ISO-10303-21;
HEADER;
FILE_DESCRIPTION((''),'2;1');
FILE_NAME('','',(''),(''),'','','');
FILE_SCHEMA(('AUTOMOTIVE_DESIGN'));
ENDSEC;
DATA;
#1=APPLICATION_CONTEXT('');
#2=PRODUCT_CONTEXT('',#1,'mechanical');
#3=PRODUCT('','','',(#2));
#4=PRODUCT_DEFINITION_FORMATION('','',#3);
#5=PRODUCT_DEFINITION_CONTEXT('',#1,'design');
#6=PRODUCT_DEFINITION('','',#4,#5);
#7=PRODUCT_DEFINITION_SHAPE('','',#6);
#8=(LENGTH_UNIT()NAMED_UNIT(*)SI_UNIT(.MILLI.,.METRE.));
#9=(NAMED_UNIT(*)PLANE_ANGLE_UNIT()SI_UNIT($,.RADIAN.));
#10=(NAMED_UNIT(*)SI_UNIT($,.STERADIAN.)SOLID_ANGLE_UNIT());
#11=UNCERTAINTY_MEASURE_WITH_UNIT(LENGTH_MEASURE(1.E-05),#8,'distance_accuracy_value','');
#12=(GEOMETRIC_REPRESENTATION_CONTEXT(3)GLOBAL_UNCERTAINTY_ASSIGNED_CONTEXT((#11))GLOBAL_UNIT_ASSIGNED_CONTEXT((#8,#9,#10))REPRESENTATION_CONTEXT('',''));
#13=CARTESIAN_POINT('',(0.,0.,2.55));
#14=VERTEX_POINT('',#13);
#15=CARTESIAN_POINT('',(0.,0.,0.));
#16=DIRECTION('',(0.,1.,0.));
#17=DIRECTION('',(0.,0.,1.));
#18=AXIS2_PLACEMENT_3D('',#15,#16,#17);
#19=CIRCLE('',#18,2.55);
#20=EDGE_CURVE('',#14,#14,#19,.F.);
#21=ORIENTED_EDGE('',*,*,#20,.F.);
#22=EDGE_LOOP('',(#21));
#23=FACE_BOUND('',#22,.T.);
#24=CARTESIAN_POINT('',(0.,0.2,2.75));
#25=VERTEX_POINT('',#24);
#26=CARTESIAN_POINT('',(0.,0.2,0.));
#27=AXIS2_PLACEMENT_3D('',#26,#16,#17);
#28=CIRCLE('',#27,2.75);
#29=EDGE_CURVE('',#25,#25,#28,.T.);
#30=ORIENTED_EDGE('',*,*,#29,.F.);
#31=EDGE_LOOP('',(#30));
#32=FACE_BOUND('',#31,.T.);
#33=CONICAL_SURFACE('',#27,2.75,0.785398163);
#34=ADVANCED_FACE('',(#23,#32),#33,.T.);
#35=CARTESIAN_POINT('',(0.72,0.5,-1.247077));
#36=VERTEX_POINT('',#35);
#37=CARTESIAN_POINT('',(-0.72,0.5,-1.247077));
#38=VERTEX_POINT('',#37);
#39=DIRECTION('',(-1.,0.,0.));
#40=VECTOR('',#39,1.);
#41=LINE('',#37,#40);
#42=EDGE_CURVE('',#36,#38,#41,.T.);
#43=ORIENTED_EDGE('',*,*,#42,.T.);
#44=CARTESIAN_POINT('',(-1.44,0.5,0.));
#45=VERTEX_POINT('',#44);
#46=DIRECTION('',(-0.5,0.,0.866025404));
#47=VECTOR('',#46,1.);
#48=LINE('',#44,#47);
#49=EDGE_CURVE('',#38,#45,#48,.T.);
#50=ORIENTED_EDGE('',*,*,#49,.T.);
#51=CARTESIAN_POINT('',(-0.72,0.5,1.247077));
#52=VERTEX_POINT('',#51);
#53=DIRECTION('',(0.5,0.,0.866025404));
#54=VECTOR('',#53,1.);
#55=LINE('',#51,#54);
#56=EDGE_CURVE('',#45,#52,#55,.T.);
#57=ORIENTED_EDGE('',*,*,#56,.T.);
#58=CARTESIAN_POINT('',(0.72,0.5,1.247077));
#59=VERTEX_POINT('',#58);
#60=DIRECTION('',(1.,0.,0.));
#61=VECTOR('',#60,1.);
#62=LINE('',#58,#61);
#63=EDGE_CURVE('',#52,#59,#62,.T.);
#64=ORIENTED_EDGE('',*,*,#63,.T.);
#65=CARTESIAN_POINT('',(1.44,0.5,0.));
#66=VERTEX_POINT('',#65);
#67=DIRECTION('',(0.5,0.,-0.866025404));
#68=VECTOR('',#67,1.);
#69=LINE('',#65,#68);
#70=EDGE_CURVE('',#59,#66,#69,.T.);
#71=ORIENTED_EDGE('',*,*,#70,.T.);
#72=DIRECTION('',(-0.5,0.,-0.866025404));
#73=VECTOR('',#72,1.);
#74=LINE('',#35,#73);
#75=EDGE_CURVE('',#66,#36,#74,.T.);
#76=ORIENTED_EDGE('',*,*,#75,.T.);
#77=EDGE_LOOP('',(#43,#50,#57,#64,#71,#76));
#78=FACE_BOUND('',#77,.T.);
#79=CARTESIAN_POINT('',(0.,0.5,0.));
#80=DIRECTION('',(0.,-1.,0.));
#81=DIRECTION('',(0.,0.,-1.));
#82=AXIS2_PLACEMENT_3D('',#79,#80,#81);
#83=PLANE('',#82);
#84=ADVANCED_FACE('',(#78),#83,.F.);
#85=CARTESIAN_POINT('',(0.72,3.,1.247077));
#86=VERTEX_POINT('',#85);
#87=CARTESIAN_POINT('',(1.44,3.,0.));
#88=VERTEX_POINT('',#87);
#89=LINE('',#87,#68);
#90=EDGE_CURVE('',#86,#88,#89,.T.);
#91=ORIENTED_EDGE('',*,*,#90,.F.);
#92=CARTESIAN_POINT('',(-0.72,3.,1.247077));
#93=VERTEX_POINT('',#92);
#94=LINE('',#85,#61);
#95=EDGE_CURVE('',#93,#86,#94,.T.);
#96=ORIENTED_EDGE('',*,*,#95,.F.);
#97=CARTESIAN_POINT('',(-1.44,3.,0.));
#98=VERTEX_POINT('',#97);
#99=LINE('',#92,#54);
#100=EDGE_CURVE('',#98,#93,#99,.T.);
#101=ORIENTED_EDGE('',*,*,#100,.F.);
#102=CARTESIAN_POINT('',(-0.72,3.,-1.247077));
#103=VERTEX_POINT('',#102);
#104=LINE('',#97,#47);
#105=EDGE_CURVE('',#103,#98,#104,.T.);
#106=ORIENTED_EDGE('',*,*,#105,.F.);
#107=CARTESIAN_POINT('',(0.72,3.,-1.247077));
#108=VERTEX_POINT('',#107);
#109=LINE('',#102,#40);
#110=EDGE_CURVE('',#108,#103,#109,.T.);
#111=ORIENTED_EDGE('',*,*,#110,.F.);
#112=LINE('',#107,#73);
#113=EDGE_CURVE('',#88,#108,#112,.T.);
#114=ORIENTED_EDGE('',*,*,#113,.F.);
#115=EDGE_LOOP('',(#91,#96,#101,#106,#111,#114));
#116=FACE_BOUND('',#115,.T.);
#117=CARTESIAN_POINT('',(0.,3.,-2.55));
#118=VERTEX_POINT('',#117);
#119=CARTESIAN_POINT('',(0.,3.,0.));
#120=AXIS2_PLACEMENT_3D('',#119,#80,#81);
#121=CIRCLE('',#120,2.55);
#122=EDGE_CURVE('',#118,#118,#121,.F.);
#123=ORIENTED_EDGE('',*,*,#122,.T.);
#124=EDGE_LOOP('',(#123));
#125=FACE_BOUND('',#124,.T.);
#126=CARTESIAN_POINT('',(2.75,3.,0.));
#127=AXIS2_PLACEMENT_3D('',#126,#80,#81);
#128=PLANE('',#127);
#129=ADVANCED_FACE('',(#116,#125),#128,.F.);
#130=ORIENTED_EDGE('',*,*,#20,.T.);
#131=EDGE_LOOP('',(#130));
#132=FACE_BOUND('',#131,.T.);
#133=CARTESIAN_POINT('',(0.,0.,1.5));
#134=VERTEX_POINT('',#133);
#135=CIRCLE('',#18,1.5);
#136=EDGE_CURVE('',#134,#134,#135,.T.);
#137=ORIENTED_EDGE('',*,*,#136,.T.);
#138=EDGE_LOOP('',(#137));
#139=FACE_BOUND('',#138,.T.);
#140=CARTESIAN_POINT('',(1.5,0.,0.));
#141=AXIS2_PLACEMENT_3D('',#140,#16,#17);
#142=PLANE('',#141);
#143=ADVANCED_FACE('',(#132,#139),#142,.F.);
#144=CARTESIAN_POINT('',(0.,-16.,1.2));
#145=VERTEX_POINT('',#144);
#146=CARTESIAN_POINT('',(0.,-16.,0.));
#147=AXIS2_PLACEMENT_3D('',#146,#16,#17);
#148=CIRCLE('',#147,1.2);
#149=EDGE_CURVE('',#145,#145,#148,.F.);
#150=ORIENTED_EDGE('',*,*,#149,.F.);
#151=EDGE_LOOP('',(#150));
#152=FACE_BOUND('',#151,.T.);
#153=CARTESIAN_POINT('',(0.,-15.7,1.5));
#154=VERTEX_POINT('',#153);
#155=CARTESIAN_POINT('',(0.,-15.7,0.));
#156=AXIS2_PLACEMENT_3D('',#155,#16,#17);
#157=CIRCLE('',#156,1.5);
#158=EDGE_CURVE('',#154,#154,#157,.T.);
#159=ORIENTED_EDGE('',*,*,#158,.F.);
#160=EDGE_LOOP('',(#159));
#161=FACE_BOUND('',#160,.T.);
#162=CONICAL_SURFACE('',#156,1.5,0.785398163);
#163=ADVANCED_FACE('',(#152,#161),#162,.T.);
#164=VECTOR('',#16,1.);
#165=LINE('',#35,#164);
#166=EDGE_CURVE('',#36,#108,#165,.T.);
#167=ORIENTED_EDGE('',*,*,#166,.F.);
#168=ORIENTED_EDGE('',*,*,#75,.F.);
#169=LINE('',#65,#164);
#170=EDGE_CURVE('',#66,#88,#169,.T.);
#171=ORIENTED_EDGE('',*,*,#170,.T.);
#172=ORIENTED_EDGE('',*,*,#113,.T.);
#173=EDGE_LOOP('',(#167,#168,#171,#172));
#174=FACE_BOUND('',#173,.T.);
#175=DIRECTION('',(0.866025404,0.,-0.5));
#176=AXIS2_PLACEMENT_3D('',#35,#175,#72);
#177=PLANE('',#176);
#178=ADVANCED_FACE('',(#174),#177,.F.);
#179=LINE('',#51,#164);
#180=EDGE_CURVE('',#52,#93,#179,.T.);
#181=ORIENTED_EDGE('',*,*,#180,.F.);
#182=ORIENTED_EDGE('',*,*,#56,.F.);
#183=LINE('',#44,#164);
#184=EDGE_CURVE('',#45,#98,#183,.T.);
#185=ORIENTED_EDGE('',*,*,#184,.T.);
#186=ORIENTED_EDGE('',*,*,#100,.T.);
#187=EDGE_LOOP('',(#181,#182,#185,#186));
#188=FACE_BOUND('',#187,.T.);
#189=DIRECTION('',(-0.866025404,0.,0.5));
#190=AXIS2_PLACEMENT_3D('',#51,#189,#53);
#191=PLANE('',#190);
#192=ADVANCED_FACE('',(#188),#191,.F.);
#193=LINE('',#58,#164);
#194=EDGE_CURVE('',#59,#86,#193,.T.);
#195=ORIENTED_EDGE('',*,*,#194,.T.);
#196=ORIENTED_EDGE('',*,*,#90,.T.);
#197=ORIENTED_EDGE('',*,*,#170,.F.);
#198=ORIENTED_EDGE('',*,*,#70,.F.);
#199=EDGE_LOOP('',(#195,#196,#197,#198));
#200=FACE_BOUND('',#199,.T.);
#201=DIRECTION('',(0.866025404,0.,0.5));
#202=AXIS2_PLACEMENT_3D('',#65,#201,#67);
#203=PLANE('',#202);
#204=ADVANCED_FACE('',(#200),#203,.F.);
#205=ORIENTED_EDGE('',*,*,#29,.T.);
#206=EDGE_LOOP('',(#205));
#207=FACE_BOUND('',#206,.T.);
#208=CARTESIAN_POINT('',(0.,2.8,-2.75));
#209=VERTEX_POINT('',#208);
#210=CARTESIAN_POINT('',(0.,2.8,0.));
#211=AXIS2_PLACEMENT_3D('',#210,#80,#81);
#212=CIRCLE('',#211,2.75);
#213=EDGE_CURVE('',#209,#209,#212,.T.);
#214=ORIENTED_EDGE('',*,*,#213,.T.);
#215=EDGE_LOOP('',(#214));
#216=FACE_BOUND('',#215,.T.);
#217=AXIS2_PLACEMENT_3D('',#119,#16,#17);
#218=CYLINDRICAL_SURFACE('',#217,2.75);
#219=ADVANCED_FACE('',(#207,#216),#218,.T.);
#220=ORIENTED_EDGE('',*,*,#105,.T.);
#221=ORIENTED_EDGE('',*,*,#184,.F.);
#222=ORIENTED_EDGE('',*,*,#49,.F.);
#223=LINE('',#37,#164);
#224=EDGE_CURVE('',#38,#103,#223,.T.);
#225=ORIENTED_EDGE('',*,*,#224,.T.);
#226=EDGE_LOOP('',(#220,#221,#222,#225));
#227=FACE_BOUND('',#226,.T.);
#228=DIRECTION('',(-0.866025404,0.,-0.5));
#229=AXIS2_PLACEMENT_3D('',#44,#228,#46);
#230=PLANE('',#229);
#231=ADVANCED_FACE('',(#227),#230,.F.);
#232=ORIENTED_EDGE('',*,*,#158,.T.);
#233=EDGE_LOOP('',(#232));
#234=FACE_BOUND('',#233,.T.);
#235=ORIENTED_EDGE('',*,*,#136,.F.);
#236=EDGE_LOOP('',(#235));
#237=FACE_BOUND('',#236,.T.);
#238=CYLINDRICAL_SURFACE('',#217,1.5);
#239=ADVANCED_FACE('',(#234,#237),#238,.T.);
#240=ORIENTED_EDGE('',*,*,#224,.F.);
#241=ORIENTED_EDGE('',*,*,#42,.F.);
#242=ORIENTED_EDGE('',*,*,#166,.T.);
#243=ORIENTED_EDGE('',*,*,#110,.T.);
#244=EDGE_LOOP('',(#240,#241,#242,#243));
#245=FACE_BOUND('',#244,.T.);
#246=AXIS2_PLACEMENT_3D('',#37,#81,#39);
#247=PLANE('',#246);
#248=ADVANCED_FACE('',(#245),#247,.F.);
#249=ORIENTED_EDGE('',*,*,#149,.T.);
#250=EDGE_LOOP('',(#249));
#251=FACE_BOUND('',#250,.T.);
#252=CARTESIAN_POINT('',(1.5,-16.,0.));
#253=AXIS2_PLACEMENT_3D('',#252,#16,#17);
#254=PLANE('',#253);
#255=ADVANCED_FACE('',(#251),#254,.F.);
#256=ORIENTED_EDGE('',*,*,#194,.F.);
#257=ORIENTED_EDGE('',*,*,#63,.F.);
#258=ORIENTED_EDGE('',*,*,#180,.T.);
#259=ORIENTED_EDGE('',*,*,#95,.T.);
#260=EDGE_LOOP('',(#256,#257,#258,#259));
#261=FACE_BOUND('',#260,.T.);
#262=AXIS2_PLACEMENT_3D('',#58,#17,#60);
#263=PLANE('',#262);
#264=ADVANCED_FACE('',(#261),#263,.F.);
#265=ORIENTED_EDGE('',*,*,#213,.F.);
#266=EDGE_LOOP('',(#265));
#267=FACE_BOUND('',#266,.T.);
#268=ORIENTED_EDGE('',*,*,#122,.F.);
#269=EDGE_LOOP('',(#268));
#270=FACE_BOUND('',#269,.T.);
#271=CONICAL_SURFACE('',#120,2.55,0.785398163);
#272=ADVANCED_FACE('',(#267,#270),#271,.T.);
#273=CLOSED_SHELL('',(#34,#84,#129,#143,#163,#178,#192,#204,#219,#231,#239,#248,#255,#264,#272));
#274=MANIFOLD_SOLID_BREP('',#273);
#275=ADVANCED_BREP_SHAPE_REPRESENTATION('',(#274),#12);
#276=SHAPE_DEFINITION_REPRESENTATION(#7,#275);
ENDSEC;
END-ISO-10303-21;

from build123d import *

# Parameters (mm, degrees)
CHAMFER_1_SIZE      = 0.2
CHAMFER_2_SIZE      = 0.3
CUT_EXTRUDE_1_DEPTH = 2.5


with BuildPart() as part:
    # 草图1 → 旋转1 (revolve)
    with BuildSketch(Plane.XY, mode=Mode.PRIVATE) as revolve_1_sk:
        Polygon((1.5, 0), (2.75, 0), (2.75, 3), (0, 3), (0, 0), (0, -16), (1.5, -16), align=None)
    revolve(revolve_1_sk.sketch.rotate(Axis((0, 3, 0), (0, -1, 0)), 90), axis=Axis((0, 3, 0), (0, -1, 0)))

    # 倒角1
    chamfer_1_edges = [part.edges().sort_by_distance(p)[0] for p in [
        (0, 3, -2.75),
        (0, 0, -2.75),
    ]]
    chamfer(chamfer_1_edges, length=CHAMFER_1_SIZE)

    # 倒角2
    chamfer_2_edges = [part.edges().sort_by_distance(p)[0] for p in [
        (0, -16, -1.5),
    ]]
    chamfer(chamfer_2_edges, length=CHAMFER_2_SIZE)

    # 草图2 → 切除-拉伸1 (cut)
    with BuildSketch(Plane(origin=(0, 3, 0), x_dir=(1, 0, 0), z_dir=(0, 1, 0))):
        Polygon((-0.72, 1.247076581), (0.72, 1.247076581), (1.44, 0), (0.72, -1.247076581), (-0.72, -1.247076581), (-1.44, 0), align=None)
    extrude(amount=-CUT_EXTRUDE_1_DEPTH, mode=Mode.SUBTRACT)


solid = part.part
